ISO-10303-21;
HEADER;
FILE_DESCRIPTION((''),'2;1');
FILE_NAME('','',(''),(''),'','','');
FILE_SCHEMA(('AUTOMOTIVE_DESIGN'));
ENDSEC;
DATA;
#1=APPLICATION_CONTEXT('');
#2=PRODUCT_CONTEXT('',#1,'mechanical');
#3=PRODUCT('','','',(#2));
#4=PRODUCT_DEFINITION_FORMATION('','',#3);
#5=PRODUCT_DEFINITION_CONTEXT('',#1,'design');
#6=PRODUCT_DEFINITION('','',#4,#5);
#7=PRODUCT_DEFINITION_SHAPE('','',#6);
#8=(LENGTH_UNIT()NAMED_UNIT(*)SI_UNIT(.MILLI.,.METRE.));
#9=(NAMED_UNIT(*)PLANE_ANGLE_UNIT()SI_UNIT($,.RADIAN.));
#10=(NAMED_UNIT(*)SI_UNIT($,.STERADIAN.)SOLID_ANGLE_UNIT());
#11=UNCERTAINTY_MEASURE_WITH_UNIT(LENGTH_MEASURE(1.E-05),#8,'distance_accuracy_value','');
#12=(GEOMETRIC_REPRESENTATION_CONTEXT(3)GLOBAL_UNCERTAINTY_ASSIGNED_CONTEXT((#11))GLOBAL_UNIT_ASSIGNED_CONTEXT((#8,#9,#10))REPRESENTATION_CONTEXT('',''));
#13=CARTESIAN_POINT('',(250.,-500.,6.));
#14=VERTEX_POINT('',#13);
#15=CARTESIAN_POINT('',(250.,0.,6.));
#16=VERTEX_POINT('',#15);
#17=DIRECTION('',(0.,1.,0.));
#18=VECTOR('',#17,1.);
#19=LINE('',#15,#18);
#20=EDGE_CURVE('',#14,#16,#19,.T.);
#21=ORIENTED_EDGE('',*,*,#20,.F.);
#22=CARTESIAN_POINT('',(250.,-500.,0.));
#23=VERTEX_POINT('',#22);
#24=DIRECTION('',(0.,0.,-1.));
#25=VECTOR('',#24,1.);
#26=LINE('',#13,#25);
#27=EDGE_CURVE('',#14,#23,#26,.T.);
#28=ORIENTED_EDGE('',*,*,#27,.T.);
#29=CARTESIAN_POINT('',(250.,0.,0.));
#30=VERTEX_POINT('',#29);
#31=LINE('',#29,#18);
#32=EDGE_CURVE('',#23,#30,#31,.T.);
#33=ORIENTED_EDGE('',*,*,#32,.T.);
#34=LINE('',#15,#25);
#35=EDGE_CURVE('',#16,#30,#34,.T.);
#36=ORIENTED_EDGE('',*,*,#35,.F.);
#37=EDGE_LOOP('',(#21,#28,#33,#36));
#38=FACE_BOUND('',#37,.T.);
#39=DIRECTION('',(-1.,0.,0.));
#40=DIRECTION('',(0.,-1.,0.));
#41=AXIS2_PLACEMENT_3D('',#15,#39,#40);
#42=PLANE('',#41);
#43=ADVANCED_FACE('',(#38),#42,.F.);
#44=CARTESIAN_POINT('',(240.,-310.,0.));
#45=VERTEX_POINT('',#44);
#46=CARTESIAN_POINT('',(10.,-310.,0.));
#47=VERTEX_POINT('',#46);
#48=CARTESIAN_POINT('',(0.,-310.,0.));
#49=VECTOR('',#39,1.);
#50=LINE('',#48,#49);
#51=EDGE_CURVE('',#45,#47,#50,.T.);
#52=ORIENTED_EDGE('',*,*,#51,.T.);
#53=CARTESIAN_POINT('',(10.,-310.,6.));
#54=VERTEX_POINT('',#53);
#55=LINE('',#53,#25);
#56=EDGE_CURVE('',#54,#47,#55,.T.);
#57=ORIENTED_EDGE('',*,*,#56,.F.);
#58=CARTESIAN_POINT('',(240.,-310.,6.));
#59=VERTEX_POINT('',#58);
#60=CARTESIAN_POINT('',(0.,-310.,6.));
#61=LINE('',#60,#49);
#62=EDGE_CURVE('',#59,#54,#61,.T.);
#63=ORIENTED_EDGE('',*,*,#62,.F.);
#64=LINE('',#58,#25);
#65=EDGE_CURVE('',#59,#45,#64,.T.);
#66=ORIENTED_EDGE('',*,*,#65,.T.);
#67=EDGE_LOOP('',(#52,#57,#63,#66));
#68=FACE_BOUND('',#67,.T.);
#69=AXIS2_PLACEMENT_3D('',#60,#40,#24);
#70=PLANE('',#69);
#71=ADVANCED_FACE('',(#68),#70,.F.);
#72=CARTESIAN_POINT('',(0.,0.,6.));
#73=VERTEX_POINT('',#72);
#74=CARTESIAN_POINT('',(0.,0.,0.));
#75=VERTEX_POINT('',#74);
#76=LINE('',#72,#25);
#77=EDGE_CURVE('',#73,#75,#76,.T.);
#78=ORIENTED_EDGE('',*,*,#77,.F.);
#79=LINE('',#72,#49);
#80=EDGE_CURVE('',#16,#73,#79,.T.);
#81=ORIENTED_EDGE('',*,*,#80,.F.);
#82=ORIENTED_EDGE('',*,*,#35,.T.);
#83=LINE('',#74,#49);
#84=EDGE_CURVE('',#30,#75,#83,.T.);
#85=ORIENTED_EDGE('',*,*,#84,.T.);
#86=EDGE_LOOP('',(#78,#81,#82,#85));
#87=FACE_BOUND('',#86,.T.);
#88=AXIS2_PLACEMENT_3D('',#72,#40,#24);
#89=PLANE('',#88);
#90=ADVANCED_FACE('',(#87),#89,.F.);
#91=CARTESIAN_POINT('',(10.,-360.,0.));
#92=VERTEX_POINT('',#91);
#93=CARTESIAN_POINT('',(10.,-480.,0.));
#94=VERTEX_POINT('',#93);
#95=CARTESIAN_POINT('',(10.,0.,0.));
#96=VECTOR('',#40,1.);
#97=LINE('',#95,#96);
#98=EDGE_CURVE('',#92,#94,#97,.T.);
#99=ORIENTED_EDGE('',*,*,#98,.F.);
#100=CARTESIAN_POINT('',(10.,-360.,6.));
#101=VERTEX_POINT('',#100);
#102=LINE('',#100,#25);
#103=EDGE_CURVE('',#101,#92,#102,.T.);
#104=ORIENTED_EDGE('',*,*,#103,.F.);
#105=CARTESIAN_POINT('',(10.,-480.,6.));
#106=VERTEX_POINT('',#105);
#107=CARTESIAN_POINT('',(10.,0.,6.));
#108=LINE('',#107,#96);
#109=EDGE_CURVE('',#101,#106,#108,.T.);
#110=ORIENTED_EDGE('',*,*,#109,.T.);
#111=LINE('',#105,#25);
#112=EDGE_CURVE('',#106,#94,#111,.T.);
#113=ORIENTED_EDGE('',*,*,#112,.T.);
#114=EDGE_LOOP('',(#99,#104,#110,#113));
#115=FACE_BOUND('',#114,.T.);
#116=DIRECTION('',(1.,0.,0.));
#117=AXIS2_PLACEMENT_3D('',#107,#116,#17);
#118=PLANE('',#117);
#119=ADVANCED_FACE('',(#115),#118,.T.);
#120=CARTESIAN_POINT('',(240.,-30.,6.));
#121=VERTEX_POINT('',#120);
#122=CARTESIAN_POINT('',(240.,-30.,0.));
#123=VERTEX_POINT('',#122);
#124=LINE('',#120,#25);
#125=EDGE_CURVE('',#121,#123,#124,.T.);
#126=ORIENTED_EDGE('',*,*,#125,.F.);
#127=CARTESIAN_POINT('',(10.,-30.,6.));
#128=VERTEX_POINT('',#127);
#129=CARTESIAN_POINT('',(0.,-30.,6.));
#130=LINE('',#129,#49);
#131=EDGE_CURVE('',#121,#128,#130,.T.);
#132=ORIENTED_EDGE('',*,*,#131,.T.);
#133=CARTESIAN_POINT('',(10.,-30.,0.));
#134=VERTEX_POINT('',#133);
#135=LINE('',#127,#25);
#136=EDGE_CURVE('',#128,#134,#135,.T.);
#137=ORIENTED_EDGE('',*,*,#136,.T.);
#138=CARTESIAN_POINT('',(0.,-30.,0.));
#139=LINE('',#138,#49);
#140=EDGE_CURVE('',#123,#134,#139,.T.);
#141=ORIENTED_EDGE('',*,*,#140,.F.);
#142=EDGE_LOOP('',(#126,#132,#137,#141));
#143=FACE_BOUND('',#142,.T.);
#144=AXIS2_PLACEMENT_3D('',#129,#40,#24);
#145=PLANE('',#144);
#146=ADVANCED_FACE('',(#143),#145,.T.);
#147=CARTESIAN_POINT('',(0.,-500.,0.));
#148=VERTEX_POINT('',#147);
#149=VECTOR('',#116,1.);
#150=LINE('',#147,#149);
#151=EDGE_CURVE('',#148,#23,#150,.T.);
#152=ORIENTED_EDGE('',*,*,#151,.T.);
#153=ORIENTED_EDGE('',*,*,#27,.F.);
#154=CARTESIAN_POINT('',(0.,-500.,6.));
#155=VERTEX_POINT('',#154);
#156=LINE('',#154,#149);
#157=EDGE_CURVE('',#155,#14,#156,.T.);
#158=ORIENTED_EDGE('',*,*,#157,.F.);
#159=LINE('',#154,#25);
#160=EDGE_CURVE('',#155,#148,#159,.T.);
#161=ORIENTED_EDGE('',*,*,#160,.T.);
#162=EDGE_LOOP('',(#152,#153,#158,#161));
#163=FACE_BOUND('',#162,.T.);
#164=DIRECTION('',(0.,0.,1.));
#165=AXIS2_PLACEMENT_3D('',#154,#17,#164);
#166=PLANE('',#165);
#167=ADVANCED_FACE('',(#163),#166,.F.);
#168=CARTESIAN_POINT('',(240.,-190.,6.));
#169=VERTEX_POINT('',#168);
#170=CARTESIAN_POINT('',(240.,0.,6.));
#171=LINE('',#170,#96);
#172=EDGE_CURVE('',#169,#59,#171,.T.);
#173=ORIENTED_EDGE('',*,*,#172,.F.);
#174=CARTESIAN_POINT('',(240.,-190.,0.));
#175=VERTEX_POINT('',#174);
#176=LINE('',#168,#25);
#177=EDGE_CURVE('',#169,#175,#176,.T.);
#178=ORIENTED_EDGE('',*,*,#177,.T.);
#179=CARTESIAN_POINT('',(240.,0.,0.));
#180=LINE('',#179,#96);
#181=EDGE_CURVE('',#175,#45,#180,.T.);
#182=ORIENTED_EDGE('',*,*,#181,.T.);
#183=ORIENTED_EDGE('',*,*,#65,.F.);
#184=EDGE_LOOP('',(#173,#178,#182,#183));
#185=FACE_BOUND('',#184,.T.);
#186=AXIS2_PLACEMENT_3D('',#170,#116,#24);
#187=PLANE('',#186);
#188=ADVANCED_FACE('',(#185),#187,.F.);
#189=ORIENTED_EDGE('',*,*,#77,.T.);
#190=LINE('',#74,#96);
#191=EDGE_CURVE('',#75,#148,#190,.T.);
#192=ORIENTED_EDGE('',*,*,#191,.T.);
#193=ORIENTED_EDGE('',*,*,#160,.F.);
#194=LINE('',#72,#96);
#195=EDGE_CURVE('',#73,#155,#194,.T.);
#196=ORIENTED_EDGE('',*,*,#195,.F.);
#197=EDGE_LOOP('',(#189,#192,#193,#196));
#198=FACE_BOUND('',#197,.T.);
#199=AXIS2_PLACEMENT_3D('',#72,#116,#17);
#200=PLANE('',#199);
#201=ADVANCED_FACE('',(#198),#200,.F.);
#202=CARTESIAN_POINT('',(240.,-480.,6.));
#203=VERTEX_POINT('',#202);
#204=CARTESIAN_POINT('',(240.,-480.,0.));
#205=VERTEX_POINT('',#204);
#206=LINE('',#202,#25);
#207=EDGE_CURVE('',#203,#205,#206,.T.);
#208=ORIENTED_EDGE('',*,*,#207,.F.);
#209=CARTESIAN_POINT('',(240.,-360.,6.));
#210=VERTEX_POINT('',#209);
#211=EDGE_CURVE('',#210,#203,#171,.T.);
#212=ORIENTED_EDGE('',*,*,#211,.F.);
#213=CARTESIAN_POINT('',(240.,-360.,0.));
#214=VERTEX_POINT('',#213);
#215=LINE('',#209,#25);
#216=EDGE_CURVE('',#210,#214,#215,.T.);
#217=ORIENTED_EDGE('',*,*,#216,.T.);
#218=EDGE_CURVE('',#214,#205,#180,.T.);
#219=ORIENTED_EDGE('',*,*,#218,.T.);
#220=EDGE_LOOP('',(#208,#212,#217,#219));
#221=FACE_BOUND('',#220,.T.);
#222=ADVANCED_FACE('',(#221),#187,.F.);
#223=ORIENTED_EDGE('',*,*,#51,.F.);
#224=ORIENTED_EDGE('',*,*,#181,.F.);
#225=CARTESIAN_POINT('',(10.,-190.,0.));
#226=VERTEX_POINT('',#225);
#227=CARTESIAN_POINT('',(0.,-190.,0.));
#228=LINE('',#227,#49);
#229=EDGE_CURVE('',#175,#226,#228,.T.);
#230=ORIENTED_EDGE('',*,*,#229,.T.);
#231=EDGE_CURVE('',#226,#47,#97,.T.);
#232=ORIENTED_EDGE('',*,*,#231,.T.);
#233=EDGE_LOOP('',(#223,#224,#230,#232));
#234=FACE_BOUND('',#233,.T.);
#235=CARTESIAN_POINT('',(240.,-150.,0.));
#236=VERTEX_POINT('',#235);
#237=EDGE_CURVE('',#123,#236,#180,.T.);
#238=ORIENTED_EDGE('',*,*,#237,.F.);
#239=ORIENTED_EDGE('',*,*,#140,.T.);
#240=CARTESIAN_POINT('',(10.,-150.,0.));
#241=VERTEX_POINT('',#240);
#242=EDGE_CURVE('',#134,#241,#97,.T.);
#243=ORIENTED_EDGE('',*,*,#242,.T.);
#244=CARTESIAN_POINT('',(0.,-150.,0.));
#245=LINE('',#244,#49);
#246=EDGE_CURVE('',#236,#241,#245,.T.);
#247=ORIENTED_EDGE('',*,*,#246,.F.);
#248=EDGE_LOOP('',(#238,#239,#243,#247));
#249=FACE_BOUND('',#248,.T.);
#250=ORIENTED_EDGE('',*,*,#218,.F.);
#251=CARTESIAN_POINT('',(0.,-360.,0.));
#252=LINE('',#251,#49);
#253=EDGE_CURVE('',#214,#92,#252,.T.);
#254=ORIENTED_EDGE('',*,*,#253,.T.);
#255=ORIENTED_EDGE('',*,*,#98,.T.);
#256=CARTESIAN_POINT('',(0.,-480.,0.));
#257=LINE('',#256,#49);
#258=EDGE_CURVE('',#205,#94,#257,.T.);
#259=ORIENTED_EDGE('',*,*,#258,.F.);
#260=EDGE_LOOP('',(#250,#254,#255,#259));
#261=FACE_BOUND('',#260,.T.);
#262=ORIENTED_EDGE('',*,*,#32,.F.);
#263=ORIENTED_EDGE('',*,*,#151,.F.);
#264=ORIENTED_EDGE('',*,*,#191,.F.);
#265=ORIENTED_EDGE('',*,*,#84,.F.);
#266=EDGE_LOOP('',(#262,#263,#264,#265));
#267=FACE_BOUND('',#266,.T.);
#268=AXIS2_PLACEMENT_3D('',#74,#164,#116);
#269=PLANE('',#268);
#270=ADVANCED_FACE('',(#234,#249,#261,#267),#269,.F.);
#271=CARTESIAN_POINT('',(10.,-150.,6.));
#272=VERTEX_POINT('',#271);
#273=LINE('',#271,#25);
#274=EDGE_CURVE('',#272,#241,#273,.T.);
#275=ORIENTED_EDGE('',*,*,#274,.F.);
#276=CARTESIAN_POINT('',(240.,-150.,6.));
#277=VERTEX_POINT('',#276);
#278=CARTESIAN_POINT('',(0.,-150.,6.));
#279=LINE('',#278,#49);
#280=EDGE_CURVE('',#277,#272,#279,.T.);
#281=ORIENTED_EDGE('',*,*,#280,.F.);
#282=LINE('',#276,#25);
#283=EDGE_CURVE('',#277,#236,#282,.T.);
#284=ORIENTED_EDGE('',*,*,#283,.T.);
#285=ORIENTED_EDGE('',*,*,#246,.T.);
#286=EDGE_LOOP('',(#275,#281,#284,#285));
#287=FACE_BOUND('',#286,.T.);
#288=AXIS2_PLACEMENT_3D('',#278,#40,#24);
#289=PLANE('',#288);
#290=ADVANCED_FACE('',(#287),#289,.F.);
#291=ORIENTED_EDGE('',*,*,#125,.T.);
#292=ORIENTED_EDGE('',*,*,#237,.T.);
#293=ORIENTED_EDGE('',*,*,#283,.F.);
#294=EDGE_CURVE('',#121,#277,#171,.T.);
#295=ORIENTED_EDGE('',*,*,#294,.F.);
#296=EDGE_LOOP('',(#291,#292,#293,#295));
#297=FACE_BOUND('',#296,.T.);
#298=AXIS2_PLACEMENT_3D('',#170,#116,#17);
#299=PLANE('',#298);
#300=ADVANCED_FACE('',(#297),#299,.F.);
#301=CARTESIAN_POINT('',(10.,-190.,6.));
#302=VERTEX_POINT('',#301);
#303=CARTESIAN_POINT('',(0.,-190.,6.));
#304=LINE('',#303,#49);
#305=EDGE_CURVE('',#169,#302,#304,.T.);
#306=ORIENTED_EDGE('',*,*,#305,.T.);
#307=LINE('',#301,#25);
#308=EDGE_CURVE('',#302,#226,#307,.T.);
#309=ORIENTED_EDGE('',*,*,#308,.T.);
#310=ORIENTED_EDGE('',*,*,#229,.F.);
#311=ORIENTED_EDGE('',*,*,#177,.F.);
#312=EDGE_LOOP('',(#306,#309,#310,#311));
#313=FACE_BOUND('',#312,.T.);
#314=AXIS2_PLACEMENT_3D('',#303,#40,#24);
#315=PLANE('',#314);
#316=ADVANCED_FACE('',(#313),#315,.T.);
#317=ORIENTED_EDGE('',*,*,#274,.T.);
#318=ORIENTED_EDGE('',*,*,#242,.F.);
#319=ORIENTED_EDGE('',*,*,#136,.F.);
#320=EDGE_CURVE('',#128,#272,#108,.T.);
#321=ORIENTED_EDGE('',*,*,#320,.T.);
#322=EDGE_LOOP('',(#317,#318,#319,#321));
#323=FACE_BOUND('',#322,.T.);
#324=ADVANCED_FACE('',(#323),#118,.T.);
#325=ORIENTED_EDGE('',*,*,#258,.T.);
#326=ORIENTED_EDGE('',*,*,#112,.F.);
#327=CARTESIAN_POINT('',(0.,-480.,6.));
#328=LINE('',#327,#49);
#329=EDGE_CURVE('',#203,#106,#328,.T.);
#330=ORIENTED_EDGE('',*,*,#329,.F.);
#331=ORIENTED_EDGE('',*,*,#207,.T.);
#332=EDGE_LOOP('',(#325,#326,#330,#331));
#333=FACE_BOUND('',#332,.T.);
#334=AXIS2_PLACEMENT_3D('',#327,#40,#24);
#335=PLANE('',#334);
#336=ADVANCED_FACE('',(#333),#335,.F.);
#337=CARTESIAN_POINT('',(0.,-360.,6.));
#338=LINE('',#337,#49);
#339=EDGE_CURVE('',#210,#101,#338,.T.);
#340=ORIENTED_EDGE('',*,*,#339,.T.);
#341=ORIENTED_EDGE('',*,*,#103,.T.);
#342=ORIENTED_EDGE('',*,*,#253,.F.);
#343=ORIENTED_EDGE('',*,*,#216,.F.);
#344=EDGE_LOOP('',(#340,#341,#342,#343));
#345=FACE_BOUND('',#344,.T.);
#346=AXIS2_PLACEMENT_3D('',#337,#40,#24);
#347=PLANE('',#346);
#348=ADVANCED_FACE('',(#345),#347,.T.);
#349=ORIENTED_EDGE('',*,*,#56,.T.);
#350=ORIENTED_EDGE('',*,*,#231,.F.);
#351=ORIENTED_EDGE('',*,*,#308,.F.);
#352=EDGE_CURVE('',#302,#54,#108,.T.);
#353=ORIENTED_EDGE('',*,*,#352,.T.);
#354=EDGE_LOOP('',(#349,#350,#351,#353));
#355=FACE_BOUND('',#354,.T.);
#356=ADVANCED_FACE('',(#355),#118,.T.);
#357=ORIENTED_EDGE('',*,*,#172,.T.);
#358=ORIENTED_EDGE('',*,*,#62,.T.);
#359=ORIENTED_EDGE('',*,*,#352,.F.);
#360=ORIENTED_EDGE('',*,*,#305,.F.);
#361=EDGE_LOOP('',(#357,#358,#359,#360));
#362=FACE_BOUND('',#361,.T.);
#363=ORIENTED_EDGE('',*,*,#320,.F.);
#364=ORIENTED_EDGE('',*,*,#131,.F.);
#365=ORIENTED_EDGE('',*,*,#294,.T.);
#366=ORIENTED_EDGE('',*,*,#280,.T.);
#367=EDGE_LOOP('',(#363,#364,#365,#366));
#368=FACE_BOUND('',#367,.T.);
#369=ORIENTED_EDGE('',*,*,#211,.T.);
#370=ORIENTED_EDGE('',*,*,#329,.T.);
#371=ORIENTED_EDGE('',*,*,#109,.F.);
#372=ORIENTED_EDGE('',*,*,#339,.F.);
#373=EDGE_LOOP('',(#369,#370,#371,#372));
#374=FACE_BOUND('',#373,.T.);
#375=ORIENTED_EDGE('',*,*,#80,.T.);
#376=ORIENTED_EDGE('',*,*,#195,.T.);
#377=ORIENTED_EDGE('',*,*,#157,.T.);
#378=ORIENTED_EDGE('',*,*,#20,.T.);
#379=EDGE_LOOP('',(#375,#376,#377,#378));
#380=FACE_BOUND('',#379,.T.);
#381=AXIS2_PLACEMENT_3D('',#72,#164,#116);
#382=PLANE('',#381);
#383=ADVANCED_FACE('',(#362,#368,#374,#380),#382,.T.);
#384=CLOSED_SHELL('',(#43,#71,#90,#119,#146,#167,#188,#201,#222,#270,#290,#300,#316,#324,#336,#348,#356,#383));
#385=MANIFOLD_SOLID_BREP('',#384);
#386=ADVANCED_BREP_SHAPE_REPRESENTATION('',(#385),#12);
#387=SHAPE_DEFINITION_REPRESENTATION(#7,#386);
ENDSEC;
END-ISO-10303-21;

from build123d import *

# Parameters (mm, degrees)
ESBO_O1_W                = 250
ESBO_O1_H                = 500
RESSALTO_EXTRUS_O1_DEPTH = 6
ESBO_O2_W                = 230
ESBO_O2_H                = 120
CORTE_EXTRUS_O1_DEPTH    = 560.049192827


with BuildPart() as part:
    # Esboço1 → Ressalto-extrusão1 (new body)
    with BuildSketch(Plane.XY):
        with Locations((125, -250)):
            Rectangle(ESBO_O1_W, ESBO_O1_H)
    extrude(amount=RESSALTO_EXTRUS_O1_DEPTH)

    # Esboço2 → Corte-extrusão1 (cut, through all)
    with BuildSketch(Plane(origin=(0, 0, 0), x_dir=(-1, 0, 0), z_dir=(0, 0, -1))):
        with Locations((-125, -90)):
            Rectangle(ESBO_O2_W, ESBO_O2_H)
        with Locations((-125, -250)):
            Rectangle(ESBO_O2_W, ESBO_O2_H)
        with Locations((-125, -420)):
            Rectangle(ESBO_O2_W, ESBO_O2_H)
    extrude(amount=-CORTE_EXTRUS_O1_DEPTH, mode=Mode.SUBTRACT)


solid = part.part
